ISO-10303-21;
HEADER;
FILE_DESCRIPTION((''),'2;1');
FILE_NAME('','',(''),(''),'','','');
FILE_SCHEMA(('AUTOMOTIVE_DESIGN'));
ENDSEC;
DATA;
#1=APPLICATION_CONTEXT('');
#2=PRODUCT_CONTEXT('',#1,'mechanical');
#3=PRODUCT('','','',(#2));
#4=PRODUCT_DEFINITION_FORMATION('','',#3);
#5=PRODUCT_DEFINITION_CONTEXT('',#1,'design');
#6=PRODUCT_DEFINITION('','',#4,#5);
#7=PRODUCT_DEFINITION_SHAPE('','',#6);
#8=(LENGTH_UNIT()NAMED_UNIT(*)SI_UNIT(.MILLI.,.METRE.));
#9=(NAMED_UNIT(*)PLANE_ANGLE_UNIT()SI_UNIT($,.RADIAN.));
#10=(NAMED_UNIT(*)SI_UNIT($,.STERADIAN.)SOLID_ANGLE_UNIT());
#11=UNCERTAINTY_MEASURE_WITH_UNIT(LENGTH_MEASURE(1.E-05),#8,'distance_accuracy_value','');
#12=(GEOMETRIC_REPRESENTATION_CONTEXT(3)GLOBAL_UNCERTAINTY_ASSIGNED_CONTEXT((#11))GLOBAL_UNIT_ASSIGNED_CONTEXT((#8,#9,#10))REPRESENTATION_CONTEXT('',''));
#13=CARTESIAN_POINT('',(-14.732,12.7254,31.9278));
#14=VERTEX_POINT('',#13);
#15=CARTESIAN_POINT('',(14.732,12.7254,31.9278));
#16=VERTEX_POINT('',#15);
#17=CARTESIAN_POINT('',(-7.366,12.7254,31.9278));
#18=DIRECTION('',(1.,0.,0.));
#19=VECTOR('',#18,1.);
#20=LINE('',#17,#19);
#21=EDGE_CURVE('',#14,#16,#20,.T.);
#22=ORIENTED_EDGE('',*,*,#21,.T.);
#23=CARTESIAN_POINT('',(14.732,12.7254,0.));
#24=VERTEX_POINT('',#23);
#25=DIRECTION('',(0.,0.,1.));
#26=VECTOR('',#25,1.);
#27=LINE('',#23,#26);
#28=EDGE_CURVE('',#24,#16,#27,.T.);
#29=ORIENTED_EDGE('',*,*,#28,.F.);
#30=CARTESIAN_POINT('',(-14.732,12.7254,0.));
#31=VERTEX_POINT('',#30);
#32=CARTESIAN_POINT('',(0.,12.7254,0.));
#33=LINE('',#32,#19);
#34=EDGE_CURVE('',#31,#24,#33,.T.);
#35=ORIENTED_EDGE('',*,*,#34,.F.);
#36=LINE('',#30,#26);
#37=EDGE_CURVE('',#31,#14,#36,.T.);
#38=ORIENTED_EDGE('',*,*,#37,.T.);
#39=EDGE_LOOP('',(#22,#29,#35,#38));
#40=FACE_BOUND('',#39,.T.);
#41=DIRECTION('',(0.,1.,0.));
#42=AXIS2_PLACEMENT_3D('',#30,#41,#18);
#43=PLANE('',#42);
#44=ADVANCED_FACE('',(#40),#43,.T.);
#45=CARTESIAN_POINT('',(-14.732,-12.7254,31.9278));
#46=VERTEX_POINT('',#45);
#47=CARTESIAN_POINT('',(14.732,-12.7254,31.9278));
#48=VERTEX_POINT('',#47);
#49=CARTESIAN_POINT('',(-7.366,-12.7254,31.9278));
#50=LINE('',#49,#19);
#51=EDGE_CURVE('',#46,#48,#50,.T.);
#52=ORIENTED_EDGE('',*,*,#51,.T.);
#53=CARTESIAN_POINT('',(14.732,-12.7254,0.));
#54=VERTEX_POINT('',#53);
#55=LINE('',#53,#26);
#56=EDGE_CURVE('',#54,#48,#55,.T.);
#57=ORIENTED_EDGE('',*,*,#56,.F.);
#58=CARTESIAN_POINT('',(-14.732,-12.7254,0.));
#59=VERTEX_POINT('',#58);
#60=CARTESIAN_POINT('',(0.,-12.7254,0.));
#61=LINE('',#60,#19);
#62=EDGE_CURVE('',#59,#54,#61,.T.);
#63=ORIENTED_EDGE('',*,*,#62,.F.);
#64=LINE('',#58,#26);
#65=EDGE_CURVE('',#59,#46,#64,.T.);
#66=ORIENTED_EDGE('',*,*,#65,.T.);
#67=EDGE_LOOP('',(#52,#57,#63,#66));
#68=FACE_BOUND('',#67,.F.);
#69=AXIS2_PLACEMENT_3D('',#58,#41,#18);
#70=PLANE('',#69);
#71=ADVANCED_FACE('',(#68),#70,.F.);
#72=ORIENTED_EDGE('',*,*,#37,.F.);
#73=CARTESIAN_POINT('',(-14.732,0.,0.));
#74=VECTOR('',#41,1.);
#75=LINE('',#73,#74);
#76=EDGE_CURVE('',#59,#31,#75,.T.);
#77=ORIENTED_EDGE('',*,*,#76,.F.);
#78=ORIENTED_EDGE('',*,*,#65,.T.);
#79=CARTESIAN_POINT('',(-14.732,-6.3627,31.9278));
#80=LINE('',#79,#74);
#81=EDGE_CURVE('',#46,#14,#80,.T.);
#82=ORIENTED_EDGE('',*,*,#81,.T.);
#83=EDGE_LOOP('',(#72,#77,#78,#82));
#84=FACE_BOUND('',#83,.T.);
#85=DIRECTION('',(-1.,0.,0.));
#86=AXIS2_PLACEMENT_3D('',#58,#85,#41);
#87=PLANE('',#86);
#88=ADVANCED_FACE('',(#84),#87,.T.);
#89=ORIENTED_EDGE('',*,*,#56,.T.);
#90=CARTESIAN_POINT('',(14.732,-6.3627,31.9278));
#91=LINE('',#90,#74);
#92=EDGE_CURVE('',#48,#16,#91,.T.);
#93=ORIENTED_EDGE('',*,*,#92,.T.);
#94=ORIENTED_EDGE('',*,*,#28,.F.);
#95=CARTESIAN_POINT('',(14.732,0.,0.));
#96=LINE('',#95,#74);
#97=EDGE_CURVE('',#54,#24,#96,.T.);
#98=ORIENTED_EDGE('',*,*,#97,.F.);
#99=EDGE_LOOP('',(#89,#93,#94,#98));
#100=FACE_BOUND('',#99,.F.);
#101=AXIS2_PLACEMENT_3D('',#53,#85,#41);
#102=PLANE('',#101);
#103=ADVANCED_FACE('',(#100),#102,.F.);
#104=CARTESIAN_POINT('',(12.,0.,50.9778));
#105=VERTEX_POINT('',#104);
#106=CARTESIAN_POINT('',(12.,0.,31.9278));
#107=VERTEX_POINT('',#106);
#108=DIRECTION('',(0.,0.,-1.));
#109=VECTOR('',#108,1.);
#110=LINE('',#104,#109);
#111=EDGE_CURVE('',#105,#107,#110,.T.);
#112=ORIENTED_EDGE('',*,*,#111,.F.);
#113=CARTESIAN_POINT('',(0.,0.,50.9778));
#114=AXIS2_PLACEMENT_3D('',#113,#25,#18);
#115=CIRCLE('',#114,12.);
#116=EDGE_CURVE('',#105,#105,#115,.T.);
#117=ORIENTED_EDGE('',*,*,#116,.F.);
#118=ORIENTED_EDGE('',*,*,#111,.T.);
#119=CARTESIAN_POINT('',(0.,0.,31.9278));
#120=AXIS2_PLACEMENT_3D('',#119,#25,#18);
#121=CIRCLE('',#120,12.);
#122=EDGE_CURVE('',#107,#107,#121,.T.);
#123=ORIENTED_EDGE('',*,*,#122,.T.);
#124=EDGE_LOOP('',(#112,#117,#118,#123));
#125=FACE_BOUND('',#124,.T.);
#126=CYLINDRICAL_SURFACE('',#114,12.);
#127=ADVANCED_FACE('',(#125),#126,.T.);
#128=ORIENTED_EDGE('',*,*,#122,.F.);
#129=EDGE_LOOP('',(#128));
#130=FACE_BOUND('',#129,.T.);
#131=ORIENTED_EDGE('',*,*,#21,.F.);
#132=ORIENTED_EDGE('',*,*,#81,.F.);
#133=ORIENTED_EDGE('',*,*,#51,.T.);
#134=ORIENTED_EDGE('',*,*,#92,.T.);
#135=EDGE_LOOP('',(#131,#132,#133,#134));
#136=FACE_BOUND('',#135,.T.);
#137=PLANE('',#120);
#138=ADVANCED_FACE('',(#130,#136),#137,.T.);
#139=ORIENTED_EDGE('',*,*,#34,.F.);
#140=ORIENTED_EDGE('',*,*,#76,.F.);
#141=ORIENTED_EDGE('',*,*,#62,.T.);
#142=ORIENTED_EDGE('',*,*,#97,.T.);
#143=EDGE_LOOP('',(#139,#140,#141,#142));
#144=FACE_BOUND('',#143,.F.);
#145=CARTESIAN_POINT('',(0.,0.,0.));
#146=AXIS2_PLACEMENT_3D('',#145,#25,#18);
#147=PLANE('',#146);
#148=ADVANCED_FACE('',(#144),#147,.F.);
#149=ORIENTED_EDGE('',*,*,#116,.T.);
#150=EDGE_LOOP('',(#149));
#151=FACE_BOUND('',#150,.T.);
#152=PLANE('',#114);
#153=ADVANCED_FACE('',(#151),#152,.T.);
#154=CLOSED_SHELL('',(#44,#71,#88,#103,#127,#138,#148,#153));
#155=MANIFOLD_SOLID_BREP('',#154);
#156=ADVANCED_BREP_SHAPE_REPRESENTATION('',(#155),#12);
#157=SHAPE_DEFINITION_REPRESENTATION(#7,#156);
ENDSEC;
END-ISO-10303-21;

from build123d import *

# Parameters (mm, degrees)
F0_W     = 29.464
F0_H     = 25.4508
F1_DEPTH = 50.9778
F2_W     = 39.90591
F2_H     = 36.580414
F2_R     = 12
F3_DEPTH = 19.05


with BuildPart() as f1:
    # F0 (on Top) → F1 (new body)
    with BuildSketch(Plane.XY):
        Rectangle(F0_W, F0_H)
    extrude(amount=F1_DEPTH)

    # F2 (on face) → F3 (cut)
    with BuildSketch(Plane.XY.offset(50.9778)):
        Rectangle(F2_W, F2_H)
        Circle(F2_R, mode=Mode.SUBTRACT)
    extrude(amount=-F3_DEPTH, mode=Mode.SUBTRACT)


solid = f1.part
